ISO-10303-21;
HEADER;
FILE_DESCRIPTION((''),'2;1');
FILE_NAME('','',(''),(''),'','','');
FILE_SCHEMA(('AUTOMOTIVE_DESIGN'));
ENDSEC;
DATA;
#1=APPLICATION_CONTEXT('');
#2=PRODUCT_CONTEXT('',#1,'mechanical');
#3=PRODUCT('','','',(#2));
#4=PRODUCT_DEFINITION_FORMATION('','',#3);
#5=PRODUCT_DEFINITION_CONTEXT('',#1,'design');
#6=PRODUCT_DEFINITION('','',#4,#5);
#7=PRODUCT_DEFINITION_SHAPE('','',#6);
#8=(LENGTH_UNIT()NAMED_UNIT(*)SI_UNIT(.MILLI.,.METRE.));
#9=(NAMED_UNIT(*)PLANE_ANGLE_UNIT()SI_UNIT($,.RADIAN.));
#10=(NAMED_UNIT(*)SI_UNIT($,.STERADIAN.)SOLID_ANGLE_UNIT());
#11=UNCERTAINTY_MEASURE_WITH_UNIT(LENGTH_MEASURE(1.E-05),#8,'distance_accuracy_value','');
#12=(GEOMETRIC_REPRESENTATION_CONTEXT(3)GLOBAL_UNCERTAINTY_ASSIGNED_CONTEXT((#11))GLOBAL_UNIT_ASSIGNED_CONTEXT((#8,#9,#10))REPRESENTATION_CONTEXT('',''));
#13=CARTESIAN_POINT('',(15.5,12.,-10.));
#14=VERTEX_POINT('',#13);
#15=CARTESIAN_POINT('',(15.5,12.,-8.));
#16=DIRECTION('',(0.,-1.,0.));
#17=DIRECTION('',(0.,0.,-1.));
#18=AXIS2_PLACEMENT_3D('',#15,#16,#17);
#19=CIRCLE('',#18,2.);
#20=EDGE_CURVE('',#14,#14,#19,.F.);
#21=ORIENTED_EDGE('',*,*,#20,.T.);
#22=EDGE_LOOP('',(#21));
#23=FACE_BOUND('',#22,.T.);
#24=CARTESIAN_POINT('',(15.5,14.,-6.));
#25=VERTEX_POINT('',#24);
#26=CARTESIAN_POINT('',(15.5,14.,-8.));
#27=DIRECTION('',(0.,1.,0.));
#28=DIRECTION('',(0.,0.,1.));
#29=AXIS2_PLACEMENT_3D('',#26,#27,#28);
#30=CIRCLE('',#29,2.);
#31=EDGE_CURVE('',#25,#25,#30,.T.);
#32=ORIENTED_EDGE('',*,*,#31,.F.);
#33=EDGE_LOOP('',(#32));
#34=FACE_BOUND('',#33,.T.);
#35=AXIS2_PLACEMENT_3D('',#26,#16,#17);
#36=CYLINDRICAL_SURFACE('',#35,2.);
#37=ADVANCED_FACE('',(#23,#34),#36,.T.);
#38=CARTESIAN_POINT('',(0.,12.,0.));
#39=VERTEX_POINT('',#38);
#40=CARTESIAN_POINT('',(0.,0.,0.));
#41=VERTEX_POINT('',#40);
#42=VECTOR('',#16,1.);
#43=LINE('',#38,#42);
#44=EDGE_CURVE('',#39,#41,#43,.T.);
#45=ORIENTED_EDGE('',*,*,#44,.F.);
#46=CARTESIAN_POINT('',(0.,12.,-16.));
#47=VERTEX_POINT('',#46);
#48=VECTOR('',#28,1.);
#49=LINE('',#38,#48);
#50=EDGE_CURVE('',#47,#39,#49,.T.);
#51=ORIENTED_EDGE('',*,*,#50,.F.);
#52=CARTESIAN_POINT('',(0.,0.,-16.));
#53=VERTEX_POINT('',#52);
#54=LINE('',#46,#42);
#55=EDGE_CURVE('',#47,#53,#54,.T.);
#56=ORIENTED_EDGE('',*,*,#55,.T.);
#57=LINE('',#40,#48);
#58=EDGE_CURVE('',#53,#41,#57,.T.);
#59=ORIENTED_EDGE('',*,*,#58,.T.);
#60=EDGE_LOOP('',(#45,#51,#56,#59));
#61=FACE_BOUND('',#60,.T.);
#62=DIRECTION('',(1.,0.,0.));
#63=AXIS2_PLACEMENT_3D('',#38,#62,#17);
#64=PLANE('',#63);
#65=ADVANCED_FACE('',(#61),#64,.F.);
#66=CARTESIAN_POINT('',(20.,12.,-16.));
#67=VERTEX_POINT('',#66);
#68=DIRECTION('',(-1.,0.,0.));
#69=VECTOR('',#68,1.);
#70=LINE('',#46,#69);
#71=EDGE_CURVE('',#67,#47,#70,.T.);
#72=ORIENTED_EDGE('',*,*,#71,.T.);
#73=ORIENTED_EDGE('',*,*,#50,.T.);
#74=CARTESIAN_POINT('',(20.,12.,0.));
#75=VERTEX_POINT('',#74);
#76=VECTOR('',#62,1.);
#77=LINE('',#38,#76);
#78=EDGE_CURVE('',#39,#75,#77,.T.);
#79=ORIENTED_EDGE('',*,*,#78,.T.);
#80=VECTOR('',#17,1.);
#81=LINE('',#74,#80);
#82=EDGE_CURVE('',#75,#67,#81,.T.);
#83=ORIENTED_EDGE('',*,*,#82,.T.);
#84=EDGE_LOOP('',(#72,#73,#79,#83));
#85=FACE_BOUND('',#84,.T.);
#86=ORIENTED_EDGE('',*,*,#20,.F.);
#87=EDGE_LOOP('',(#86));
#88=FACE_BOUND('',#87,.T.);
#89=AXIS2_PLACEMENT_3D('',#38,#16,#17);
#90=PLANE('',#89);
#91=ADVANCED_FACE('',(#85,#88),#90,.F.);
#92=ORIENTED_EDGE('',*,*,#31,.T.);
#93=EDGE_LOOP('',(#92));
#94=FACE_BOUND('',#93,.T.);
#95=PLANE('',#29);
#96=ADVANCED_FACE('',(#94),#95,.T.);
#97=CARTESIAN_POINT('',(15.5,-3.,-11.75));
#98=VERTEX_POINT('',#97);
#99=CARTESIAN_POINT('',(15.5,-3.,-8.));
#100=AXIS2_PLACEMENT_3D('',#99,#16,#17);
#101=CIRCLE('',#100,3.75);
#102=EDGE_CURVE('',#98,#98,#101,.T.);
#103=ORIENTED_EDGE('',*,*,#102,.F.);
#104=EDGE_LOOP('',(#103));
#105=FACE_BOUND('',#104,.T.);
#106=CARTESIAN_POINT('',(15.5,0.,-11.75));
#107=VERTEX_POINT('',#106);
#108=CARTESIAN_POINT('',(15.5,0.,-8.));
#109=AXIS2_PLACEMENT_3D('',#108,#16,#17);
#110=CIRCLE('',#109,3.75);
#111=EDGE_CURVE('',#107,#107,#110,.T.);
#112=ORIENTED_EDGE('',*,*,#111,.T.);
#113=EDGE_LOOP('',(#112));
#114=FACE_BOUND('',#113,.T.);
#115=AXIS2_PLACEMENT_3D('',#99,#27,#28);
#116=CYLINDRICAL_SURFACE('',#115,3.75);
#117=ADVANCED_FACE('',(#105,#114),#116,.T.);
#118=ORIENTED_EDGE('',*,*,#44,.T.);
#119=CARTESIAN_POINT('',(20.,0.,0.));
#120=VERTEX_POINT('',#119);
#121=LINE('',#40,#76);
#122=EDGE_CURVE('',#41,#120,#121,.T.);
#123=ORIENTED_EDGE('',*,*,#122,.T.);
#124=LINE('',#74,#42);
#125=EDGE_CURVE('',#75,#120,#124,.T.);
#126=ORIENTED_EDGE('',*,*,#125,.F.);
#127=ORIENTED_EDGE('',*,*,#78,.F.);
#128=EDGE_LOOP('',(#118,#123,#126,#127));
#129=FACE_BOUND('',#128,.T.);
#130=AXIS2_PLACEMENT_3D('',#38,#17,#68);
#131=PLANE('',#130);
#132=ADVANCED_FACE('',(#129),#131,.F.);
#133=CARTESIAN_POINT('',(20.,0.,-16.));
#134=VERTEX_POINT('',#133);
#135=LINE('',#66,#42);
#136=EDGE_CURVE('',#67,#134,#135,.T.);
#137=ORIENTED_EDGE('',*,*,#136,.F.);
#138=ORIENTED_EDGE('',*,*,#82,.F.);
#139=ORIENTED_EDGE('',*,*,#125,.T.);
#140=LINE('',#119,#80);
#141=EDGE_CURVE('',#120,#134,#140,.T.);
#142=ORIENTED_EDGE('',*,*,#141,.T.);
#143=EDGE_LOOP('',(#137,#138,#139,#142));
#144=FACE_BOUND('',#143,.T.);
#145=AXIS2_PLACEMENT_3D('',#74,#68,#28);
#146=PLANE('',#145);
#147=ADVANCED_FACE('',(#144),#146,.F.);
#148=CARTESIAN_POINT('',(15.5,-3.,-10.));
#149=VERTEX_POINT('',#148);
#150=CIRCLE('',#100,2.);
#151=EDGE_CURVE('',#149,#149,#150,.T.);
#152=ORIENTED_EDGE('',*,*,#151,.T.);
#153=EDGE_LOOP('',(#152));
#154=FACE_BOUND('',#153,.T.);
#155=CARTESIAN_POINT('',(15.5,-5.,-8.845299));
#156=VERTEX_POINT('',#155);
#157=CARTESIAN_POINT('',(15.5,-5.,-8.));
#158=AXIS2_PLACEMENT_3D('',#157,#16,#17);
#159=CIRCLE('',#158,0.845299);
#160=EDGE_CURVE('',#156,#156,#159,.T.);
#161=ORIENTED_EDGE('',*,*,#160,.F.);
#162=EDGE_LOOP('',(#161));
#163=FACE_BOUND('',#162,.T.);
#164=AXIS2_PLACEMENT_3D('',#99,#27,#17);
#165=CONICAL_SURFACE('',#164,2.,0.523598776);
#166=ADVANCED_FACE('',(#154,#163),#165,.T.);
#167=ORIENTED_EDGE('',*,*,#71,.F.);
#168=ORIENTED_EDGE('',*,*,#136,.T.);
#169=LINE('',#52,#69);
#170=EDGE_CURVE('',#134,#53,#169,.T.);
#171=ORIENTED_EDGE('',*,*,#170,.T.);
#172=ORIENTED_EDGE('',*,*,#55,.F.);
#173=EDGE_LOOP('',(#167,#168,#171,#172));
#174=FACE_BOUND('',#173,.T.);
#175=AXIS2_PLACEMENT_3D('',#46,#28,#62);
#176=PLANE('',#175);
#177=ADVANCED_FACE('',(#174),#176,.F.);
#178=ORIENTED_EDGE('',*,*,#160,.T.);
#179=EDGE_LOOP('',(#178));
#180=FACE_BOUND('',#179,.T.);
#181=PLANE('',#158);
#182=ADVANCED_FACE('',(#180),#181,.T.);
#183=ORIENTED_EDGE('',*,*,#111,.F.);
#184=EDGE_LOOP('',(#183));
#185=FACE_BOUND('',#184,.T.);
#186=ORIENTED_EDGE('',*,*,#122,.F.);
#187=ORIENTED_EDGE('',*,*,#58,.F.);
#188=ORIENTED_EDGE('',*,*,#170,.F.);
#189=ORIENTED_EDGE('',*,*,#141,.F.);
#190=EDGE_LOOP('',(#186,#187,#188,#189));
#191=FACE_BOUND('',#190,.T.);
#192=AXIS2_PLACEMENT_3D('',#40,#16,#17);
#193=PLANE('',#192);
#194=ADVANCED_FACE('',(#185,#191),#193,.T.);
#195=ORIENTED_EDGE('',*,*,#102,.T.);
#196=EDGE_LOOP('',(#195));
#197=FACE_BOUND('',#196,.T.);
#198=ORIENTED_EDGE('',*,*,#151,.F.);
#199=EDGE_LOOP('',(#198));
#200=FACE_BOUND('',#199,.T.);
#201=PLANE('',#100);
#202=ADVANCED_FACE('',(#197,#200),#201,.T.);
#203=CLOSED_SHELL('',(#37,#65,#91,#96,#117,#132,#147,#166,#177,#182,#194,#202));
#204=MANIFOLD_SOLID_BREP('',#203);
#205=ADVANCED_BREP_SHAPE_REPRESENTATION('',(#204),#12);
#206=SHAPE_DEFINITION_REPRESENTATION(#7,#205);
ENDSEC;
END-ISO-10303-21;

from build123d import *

# Parameters (mm, degrees)
SKETCH_1_W      = 20
SKETCH_1_H      = 16
EXTRUDE_1_DEPTH = 12
SKETCH_2_R      = 2
EXTRUDE_2_DEPTH = 2
SKETCH_3_R      = 3.75
EXTRUDE_3_DEPTH = 3
SKETCH_4_R      = 2
EXTRUDE_4_DEPTH = 2
EXTRUDE_4_TAPER = 30


with BuildPart() as part:
    # Эскиз1 → Бобышка-Вытянуть1 (new body)
    with BuildSketch(Plane(origin=(0, 0, 0), x_dir=(1, 0, 0), z_dir=(0, 1, 0))):
        with Locations((10, 8)):
            Rectangle(SKETCH_1_W, SKETCH_1_H)
    extrude(amount=EXTRUDE_1_DEPTH)

    # Эскиз2 → Бобышка-Вытянуть2 (add)
    with BuildSketch(Plane(origin=(0, 12, 0), x_dir=(1, 0, 0), z_dir=(0, 1, 0))):
        with Locations(Location((15.5, 8, 0), (0, 0, 90))):
            Circle(SKETCH_2_R)
    extrude(amount=EXTRUDE_2_DEPTH)

    # Эскиз3 → Бобышка-Вытянуть3 (add)
    with BuildSketch(Plane.XZ):
        with Locations(Location((15.5, -8, 0), (0, 0, 270))):
            Circle(SKETCH_3_R)
    extrude(amount=EXTRUDE_3_DEPTH)

    # Эскиз4 → Бобышка-Вытянуть4 (add)
    with BuildSketch(Plane.XZ.offset(3)):
        with Locations(Location((15.5, -8, 0), (0, 0, 270))):
            Circle(SKETCH_4_R)
    extrude(amount=EXTRUDE_4_DEPTH, taper=EXTRUDE_4_TAPER)


solid = part.part
